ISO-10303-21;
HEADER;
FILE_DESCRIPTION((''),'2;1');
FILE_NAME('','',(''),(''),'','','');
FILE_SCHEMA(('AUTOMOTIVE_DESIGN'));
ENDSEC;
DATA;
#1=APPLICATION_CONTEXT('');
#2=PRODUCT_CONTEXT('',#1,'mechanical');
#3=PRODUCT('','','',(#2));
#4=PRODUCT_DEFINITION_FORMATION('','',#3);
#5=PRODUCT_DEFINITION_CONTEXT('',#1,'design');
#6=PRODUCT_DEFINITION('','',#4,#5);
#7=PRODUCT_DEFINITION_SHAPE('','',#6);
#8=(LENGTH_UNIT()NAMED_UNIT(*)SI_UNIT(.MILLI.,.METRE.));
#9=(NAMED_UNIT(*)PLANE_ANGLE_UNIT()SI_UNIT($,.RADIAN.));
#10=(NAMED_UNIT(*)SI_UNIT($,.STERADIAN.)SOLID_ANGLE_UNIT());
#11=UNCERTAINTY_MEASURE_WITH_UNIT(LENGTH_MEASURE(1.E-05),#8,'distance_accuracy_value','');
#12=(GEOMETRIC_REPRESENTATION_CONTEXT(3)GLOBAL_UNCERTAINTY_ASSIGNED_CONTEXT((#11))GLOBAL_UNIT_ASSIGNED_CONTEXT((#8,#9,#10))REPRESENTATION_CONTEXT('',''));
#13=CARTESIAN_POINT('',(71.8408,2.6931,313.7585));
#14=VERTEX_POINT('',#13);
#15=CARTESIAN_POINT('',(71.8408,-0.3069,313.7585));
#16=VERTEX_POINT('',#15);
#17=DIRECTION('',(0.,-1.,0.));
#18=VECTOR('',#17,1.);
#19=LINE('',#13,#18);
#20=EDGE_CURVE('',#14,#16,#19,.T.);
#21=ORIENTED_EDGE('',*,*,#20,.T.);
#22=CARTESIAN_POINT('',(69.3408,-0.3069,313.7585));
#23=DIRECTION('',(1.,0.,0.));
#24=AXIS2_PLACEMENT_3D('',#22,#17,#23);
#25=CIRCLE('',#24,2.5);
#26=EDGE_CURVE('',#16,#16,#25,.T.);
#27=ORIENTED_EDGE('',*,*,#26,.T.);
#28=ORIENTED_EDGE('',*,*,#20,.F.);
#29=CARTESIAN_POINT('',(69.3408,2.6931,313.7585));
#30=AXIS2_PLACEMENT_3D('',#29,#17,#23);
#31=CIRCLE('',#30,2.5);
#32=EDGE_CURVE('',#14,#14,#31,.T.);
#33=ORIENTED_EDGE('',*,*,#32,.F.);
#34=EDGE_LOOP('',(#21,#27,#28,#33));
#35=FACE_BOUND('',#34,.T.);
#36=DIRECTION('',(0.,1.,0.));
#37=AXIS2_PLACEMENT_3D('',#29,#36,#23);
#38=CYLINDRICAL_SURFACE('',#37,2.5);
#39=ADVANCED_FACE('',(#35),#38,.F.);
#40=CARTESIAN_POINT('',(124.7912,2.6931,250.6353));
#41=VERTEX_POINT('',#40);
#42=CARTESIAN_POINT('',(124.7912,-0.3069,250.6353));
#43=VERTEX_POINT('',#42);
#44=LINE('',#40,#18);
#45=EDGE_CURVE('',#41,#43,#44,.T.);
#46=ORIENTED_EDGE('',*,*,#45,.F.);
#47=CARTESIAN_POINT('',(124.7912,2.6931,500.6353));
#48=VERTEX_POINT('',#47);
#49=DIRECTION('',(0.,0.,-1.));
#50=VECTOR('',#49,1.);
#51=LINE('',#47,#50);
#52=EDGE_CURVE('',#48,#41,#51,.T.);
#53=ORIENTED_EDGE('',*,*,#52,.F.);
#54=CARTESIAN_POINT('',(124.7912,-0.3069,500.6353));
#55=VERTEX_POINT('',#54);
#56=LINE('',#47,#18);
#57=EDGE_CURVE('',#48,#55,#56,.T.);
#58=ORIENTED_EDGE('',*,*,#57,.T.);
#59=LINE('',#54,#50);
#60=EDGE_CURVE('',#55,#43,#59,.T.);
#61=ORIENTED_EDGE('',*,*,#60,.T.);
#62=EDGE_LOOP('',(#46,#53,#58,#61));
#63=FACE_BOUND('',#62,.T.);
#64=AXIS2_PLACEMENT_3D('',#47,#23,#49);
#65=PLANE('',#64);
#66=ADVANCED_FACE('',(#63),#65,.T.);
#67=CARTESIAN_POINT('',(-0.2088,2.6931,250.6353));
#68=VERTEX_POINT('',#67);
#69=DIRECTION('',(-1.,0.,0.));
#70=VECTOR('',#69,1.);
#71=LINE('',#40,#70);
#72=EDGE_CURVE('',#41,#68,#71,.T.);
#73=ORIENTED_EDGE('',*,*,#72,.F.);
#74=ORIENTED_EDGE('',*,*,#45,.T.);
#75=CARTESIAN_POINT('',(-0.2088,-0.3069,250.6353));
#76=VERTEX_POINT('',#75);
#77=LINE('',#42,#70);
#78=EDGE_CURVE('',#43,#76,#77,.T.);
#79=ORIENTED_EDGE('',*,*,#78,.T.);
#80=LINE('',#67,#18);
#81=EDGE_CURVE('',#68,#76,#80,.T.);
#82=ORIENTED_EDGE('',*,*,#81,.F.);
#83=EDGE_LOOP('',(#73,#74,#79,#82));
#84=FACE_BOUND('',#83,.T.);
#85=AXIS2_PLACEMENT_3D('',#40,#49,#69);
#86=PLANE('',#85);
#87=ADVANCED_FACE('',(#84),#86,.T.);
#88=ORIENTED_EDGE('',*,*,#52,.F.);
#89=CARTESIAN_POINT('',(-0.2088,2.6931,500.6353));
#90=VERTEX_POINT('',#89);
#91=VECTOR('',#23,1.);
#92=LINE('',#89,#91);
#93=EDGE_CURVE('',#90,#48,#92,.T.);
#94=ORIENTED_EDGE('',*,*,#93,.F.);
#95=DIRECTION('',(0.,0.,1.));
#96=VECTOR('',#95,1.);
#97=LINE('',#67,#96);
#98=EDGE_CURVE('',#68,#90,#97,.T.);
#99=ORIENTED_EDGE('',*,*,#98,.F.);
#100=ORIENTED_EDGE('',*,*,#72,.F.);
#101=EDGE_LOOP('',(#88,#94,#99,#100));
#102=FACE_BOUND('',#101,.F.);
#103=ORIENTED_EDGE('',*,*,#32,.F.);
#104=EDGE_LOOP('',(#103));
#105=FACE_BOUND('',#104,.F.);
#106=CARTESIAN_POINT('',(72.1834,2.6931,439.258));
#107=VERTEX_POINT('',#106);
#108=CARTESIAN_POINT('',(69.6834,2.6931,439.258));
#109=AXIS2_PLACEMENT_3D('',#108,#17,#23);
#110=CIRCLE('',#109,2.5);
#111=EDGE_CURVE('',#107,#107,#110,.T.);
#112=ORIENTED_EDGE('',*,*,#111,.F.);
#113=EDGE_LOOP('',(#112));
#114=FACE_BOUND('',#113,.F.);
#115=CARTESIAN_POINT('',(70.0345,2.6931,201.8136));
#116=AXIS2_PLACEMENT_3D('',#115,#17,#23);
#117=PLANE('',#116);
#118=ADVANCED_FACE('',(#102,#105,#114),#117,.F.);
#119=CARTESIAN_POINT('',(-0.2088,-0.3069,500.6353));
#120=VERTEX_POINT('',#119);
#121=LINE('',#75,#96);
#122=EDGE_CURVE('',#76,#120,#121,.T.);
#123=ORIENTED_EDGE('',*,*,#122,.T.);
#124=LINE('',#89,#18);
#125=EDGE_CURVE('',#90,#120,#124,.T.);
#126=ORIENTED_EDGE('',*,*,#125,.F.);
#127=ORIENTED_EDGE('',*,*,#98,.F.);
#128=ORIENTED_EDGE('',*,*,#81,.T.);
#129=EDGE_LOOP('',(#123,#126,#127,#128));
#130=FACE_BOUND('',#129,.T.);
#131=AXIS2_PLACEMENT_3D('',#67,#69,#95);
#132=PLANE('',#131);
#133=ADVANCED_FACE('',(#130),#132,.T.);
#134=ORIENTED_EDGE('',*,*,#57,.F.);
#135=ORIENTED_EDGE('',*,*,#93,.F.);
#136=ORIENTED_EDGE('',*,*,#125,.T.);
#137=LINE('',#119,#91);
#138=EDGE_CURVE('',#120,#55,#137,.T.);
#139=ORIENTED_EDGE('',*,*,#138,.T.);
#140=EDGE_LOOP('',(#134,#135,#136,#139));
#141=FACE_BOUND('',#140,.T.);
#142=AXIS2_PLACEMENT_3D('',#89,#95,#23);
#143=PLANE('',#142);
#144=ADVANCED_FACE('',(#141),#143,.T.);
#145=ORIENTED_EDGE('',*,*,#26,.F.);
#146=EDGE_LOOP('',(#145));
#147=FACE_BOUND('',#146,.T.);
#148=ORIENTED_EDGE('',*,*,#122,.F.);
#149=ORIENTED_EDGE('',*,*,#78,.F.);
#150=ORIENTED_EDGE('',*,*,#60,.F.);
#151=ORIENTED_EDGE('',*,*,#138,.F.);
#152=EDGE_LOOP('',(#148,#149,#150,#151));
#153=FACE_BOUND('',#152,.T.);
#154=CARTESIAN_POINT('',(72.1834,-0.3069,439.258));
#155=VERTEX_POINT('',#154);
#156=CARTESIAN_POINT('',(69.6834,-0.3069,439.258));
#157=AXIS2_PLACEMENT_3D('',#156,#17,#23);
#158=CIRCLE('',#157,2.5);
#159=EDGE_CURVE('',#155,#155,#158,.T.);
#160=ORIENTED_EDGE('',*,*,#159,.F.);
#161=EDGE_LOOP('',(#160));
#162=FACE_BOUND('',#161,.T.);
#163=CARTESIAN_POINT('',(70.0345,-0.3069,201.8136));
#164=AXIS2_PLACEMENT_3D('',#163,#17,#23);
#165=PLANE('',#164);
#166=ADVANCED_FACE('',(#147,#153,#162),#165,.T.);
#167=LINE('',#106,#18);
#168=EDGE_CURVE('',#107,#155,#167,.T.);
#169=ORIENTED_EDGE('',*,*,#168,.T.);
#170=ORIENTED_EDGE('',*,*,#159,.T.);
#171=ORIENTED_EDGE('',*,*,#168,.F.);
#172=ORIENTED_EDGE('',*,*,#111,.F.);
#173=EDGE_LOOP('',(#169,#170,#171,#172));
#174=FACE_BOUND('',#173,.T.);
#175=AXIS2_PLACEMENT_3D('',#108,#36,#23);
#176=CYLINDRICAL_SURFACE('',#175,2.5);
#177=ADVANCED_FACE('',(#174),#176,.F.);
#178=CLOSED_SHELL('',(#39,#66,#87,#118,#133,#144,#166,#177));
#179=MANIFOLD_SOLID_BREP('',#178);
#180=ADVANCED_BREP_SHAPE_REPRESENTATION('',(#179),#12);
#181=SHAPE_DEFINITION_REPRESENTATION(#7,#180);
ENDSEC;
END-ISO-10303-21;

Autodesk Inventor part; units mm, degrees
ref_plane "YZ Plane" through (0, 0, 0) normal (1, 0, 0) x (0, 1, 0)
ref_plane "XZ Plane" through (0, 0, 0) normal (0, 1, 0) x (-1, 0, 0)
ref_plane "XY Plane" through (0, 0, 0) normal (0, 0, 1) x (1, 0, 0)
ref_plane "Work Plane1" through (70.0345, 2.6931, 201.8136) normal (0, -1, 0) x (1, 0, 0)
sketch "Sketch1" plane through (70.0345, 2.6931, 201.8136) normal (0, -1, 0) x (1, 0, 0)
  line L0 (-70.2433, 298.8217) -> (54.7567, 298.8217)
  line L1 (54.7567, 298.8217) -> (54.7567, 48.8217)
  line L2 (54.7567, 48.8217) -> (-70.2433, 48.8217)
  line L3 (-70.2433, 48.8217) -> (-70.2433, 298.8217)
  circle A0 centre (-0.3511, 237.4444) radius 2.5
  circle A1 centre (-0.6937, 111.9449) radius 2.5
  point P0 (-70.0345, -201.8136)
  dimension "d0" = 125
  dimension "d1" = 250
  dimension "d2" = 5
  dimension "d3" = 5
  dimension "d4" = 125.5
extrude "Extrusion1" add sketch "Sketch1" along normal blind 3
properties part number "Plate"
